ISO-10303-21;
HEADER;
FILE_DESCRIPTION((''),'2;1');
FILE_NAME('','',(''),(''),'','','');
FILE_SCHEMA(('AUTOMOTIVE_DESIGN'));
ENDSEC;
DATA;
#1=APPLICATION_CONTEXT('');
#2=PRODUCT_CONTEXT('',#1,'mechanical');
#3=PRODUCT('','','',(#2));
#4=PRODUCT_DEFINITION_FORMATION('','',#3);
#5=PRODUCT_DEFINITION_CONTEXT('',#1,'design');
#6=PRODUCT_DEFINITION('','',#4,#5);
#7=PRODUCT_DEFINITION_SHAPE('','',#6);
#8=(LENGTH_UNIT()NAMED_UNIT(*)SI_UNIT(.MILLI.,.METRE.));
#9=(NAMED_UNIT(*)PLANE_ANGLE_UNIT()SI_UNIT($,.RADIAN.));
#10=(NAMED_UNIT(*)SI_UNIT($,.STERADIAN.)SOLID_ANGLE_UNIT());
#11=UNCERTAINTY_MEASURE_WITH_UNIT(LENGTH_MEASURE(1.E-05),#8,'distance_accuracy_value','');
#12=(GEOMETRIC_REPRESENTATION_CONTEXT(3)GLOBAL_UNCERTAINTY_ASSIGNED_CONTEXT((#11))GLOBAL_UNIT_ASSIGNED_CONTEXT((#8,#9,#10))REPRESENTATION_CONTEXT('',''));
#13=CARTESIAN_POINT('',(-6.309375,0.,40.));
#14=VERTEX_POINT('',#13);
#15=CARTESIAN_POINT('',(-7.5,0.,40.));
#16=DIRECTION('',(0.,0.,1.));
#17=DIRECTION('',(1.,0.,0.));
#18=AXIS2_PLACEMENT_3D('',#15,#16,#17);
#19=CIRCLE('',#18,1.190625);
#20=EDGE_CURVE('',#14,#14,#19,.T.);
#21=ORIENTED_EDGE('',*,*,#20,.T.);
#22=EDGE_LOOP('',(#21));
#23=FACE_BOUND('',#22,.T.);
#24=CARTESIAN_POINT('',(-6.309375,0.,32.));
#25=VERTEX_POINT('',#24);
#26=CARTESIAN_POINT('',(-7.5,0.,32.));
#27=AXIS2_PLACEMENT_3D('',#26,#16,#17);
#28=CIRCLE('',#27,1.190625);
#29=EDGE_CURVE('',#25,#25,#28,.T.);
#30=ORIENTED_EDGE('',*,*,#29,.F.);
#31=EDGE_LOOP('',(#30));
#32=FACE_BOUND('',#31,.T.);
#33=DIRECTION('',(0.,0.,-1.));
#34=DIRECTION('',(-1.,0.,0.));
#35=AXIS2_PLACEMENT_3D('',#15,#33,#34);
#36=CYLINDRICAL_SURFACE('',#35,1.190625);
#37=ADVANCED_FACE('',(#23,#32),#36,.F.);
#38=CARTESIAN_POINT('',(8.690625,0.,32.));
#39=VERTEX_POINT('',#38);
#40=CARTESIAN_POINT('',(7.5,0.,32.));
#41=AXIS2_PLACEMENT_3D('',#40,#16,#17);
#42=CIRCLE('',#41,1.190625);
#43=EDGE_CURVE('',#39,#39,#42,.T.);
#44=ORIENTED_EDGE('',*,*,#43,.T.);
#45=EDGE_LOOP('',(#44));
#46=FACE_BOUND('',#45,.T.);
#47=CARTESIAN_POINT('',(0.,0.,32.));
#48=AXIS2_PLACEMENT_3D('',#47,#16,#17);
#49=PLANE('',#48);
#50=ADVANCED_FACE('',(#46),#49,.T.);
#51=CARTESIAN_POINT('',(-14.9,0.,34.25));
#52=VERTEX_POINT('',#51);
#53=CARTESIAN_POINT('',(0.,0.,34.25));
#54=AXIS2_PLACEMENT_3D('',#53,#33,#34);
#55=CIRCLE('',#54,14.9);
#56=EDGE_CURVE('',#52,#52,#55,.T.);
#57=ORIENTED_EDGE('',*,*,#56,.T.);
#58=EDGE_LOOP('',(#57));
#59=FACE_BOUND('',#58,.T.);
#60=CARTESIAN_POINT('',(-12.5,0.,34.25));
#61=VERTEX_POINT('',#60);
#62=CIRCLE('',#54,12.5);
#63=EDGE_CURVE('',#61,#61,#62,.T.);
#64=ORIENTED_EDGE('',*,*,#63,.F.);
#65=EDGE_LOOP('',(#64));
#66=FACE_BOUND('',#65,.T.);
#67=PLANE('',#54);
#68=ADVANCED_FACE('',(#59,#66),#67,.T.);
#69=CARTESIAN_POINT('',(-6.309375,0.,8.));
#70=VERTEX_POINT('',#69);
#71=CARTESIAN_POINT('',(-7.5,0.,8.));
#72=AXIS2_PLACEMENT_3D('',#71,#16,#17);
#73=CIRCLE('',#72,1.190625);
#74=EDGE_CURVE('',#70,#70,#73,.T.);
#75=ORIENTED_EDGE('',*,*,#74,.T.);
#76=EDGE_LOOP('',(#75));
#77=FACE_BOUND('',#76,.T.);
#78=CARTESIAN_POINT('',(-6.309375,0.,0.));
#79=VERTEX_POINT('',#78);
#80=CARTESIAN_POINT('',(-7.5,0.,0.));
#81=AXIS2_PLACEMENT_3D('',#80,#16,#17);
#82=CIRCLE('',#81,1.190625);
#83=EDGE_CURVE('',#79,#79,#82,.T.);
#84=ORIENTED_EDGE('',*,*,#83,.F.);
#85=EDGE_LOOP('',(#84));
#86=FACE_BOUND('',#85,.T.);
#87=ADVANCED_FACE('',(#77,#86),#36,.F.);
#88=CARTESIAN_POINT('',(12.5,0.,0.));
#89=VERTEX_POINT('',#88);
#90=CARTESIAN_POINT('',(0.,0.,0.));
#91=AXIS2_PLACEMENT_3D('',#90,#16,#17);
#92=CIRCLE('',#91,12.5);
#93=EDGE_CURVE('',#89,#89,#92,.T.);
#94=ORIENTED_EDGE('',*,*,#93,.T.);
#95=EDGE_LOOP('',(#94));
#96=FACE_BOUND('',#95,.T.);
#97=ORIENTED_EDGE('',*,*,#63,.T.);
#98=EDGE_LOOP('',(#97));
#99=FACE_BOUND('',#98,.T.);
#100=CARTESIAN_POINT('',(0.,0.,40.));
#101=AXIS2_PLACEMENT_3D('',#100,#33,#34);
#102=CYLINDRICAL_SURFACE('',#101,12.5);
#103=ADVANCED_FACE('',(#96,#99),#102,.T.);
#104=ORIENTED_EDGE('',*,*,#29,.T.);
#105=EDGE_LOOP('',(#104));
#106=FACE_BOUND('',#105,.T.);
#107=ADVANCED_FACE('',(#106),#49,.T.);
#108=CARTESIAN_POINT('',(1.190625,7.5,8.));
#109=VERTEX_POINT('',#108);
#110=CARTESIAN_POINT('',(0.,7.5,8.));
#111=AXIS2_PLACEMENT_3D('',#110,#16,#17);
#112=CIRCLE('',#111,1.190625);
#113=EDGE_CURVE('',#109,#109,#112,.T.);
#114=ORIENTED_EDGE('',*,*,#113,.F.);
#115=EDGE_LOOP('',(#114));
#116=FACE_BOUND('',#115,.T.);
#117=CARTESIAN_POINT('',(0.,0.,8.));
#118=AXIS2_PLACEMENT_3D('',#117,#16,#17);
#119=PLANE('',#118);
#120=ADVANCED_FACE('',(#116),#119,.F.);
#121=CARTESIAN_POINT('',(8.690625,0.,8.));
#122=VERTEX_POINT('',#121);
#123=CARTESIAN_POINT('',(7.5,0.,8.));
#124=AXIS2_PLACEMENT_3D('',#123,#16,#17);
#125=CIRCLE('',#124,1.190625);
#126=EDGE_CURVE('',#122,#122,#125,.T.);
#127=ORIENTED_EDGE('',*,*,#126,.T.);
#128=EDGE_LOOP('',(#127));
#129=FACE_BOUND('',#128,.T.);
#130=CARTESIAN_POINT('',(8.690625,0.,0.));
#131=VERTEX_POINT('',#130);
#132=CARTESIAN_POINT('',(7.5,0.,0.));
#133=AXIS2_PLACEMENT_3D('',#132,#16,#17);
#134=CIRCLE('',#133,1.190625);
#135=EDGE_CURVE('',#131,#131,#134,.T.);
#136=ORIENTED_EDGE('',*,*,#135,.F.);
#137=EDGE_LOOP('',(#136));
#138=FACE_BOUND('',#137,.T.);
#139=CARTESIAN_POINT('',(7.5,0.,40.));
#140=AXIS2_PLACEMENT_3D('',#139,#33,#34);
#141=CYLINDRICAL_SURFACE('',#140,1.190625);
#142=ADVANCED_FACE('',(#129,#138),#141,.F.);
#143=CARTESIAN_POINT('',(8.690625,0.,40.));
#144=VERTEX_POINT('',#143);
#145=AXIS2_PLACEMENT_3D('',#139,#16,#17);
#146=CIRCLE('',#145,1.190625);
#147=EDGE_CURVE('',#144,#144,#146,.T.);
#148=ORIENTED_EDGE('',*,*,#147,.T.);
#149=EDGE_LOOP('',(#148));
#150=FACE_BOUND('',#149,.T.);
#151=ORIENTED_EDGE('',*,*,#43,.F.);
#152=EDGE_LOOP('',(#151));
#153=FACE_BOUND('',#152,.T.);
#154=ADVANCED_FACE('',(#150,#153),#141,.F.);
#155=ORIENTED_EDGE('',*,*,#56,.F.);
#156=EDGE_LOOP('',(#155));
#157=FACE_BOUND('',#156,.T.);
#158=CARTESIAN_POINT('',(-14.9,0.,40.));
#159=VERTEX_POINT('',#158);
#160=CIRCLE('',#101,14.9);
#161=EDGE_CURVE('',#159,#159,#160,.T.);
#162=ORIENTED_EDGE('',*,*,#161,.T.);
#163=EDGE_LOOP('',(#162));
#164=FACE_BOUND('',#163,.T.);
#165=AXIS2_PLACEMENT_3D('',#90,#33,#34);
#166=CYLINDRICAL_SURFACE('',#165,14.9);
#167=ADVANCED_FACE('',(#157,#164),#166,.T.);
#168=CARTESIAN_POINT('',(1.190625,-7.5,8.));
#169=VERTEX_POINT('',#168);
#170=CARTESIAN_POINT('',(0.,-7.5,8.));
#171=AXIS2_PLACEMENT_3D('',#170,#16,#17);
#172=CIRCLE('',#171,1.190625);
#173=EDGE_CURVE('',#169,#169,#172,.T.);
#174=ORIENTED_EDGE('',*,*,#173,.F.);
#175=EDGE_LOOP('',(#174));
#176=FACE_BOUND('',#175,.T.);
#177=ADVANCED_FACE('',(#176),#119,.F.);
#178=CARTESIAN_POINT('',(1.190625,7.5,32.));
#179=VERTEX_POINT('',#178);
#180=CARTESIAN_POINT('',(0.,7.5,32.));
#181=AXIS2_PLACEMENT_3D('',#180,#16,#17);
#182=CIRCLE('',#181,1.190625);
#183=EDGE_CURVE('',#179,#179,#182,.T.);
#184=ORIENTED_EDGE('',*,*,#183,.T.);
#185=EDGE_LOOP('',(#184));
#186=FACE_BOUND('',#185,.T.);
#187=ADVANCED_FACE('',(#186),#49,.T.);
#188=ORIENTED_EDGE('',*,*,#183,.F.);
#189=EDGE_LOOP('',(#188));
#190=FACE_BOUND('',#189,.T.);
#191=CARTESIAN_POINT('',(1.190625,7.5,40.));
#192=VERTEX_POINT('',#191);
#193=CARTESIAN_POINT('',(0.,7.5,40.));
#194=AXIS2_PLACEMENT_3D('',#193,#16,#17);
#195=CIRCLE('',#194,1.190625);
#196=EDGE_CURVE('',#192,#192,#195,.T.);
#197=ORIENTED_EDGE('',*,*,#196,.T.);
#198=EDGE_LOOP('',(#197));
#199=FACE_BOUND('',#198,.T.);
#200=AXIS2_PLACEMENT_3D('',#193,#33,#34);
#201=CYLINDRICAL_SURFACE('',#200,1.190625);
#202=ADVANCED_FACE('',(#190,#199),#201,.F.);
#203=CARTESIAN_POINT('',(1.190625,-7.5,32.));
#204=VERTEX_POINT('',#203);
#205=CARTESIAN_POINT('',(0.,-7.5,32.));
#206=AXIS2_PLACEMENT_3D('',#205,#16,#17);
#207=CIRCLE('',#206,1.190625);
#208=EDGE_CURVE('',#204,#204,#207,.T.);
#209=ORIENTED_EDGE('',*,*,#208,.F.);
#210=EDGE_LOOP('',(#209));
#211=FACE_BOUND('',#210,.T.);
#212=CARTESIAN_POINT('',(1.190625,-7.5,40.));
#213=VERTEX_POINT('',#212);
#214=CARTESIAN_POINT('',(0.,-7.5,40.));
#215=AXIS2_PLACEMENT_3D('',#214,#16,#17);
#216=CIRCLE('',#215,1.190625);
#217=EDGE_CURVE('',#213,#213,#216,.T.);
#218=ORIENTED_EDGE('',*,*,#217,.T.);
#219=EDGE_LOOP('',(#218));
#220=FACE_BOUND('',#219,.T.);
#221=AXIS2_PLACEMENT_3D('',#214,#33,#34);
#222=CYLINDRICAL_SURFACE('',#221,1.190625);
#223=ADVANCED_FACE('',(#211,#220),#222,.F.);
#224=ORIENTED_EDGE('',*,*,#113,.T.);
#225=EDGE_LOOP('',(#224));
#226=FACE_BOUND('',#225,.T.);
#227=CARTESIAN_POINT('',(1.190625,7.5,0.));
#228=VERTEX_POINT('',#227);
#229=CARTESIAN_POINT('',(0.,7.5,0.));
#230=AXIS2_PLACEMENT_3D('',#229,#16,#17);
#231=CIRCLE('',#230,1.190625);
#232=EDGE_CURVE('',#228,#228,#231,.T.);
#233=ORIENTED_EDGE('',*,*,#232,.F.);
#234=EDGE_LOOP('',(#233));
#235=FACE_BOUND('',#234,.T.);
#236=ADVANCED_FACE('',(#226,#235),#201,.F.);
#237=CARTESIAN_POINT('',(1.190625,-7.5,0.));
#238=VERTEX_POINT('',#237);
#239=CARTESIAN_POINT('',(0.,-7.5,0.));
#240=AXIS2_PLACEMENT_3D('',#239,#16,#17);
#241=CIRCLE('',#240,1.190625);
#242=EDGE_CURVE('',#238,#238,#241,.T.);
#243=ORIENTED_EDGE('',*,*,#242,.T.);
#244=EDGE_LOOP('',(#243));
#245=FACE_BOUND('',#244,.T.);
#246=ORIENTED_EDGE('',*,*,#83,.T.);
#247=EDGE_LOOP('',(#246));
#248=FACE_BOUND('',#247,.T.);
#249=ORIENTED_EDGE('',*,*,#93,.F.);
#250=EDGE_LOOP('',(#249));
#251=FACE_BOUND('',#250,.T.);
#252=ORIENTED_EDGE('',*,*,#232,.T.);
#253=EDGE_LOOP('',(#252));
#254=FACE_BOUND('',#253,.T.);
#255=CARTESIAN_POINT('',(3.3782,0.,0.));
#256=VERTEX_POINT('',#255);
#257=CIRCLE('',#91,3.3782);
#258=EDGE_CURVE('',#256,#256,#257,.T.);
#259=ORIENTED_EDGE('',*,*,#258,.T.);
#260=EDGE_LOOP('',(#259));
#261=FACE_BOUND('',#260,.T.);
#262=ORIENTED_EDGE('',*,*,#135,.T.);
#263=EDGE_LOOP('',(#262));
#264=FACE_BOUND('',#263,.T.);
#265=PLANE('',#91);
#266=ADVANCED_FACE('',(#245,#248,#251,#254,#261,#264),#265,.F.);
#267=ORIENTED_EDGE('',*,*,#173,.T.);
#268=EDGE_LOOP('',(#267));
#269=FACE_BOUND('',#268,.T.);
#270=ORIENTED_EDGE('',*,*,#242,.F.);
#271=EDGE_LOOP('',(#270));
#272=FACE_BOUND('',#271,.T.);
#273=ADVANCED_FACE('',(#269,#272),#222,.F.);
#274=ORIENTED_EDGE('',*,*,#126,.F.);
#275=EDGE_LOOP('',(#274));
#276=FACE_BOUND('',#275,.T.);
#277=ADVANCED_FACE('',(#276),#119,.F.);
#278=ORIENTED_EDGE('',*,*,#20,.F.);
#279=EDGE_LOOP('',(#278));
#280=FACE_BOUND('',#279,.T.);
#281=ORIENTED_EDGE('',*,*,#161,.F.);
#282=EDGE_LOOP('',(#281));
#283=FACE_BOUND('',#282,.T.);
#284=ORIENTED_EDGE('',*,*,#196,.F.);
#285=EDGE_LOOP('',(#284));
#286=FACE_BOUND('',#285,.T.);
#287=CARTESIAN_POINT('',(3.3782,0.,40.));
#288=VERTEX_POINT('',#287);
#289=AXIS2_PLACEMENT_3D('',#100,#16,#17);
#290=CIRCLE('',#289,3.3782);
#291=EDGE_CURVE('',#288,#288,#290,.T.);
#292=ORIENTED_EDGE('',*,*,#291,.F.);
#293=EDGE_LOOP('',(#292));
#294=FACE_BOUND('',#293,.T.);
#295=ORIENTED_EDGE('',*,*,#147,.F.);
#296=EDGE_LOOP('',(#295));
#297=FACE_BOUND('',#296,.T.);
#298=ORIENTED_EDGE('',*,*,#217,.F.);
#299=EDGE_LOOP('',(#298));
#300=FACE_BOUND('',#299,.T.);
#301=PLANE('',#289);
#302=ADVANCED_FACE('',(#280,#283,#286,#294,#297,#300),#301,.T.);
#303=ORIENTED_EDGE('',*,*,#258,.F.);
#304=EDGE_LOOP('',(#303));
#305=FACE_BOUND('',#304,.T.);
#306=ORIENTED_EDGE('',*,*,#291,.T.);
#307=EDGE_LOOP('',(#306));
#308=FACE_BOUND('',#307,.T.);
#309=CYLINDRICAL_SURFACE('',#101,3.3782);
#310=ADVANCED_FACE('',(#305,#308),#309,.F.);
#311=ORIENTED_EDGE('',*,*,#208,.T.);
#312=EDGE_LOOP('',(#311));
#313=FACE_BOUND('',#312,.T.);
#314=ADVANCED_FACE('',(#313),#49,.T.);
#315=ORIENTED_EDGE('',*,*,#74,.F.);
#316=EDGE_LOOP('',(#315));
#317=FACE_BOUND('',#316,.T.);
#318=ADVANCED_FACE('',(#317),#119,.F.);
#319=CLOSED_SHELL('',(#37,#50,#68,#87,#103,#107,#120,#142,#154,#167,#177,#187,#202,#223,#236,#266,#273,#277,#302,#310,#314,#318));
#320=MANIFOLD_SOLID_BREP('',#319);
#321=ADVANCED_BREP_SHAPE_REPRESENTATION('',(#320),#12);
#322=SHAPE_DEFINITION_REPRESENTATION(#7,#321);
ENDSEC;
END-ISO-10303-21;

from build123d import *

# Parameters (mm, degrees)
SKETCH1_R           = 12.5
SKETCH1_R_2         = 1.190625
SKETCH1_R_3         = 3.3782
BOSS_EXTRUDE1_DEPTH = 40
SKETCH2_W           = 7.5
SKETCH2_H           = 24
SKETCH2_W_2         = 2.4
SKETCH2_H_2         = 5.75


with BuildPart() as part:
    # Sketch1 → Boss-Extrude1 (new body)
    with BuildSketch(Plane(origin=(0, 0, 0), x_dir=(0, 1, 0), z_dir=(0, 0, 1))):
        with Locations(Location((0, 0, 0), (0, 0, 270))):
            Circle(SKETCH1_R)
        with Locations(Location((0, -7.5, 0), (0, 0, 270))):
            Circle(SKETCH1_R_2, mode=Mode.SUBTRACT)
        with Locations(Location((7.5, 0, 0), (0, 0, 270))):
            Circle(SKETCH1_R_2, mode=Mode.SUBTRACT)
        with Locations(Location((-7.5, 0, 0), (0, 0, 270))):
            Circle(SKETCH1_R_2, mode=Mode.SUBTRACT)
        with Locations(Location((0, 7.5, 0), (0, 0, 270))):
            Circle(SKETCH1_R_2, mode=Mode.SUBTRACT)
        with Locations(Location((0, 0, 0), (0, 0, 270))):
            Circle(SKETCH1_R_3, mode=Mode.SUBTRACT)
    extrude(amount=BOSS_EXTRUDE1_DEPTH)

    # Sketch2 → Revolve1 (revolve)
    with BuildSketch(Plane.YZ, mode=Mode.PRIVATE) as revolve1_sk:
        with Locations((-8.75, 20)):
            Rectangle(SKETCH2_W, SKETCH2_H)
        with Locations((-13.7, 37.125)):
            Rectangle(SKETCH2_W_2, SKETCH2_H_2)
    revolve(revolve1_sk.sketch.rotate(Axis((0, 0, 0), (0, 0, 1)), 270), axis=Axis((0, 0, 0), (0, 0, 1)))


solid = part.part
